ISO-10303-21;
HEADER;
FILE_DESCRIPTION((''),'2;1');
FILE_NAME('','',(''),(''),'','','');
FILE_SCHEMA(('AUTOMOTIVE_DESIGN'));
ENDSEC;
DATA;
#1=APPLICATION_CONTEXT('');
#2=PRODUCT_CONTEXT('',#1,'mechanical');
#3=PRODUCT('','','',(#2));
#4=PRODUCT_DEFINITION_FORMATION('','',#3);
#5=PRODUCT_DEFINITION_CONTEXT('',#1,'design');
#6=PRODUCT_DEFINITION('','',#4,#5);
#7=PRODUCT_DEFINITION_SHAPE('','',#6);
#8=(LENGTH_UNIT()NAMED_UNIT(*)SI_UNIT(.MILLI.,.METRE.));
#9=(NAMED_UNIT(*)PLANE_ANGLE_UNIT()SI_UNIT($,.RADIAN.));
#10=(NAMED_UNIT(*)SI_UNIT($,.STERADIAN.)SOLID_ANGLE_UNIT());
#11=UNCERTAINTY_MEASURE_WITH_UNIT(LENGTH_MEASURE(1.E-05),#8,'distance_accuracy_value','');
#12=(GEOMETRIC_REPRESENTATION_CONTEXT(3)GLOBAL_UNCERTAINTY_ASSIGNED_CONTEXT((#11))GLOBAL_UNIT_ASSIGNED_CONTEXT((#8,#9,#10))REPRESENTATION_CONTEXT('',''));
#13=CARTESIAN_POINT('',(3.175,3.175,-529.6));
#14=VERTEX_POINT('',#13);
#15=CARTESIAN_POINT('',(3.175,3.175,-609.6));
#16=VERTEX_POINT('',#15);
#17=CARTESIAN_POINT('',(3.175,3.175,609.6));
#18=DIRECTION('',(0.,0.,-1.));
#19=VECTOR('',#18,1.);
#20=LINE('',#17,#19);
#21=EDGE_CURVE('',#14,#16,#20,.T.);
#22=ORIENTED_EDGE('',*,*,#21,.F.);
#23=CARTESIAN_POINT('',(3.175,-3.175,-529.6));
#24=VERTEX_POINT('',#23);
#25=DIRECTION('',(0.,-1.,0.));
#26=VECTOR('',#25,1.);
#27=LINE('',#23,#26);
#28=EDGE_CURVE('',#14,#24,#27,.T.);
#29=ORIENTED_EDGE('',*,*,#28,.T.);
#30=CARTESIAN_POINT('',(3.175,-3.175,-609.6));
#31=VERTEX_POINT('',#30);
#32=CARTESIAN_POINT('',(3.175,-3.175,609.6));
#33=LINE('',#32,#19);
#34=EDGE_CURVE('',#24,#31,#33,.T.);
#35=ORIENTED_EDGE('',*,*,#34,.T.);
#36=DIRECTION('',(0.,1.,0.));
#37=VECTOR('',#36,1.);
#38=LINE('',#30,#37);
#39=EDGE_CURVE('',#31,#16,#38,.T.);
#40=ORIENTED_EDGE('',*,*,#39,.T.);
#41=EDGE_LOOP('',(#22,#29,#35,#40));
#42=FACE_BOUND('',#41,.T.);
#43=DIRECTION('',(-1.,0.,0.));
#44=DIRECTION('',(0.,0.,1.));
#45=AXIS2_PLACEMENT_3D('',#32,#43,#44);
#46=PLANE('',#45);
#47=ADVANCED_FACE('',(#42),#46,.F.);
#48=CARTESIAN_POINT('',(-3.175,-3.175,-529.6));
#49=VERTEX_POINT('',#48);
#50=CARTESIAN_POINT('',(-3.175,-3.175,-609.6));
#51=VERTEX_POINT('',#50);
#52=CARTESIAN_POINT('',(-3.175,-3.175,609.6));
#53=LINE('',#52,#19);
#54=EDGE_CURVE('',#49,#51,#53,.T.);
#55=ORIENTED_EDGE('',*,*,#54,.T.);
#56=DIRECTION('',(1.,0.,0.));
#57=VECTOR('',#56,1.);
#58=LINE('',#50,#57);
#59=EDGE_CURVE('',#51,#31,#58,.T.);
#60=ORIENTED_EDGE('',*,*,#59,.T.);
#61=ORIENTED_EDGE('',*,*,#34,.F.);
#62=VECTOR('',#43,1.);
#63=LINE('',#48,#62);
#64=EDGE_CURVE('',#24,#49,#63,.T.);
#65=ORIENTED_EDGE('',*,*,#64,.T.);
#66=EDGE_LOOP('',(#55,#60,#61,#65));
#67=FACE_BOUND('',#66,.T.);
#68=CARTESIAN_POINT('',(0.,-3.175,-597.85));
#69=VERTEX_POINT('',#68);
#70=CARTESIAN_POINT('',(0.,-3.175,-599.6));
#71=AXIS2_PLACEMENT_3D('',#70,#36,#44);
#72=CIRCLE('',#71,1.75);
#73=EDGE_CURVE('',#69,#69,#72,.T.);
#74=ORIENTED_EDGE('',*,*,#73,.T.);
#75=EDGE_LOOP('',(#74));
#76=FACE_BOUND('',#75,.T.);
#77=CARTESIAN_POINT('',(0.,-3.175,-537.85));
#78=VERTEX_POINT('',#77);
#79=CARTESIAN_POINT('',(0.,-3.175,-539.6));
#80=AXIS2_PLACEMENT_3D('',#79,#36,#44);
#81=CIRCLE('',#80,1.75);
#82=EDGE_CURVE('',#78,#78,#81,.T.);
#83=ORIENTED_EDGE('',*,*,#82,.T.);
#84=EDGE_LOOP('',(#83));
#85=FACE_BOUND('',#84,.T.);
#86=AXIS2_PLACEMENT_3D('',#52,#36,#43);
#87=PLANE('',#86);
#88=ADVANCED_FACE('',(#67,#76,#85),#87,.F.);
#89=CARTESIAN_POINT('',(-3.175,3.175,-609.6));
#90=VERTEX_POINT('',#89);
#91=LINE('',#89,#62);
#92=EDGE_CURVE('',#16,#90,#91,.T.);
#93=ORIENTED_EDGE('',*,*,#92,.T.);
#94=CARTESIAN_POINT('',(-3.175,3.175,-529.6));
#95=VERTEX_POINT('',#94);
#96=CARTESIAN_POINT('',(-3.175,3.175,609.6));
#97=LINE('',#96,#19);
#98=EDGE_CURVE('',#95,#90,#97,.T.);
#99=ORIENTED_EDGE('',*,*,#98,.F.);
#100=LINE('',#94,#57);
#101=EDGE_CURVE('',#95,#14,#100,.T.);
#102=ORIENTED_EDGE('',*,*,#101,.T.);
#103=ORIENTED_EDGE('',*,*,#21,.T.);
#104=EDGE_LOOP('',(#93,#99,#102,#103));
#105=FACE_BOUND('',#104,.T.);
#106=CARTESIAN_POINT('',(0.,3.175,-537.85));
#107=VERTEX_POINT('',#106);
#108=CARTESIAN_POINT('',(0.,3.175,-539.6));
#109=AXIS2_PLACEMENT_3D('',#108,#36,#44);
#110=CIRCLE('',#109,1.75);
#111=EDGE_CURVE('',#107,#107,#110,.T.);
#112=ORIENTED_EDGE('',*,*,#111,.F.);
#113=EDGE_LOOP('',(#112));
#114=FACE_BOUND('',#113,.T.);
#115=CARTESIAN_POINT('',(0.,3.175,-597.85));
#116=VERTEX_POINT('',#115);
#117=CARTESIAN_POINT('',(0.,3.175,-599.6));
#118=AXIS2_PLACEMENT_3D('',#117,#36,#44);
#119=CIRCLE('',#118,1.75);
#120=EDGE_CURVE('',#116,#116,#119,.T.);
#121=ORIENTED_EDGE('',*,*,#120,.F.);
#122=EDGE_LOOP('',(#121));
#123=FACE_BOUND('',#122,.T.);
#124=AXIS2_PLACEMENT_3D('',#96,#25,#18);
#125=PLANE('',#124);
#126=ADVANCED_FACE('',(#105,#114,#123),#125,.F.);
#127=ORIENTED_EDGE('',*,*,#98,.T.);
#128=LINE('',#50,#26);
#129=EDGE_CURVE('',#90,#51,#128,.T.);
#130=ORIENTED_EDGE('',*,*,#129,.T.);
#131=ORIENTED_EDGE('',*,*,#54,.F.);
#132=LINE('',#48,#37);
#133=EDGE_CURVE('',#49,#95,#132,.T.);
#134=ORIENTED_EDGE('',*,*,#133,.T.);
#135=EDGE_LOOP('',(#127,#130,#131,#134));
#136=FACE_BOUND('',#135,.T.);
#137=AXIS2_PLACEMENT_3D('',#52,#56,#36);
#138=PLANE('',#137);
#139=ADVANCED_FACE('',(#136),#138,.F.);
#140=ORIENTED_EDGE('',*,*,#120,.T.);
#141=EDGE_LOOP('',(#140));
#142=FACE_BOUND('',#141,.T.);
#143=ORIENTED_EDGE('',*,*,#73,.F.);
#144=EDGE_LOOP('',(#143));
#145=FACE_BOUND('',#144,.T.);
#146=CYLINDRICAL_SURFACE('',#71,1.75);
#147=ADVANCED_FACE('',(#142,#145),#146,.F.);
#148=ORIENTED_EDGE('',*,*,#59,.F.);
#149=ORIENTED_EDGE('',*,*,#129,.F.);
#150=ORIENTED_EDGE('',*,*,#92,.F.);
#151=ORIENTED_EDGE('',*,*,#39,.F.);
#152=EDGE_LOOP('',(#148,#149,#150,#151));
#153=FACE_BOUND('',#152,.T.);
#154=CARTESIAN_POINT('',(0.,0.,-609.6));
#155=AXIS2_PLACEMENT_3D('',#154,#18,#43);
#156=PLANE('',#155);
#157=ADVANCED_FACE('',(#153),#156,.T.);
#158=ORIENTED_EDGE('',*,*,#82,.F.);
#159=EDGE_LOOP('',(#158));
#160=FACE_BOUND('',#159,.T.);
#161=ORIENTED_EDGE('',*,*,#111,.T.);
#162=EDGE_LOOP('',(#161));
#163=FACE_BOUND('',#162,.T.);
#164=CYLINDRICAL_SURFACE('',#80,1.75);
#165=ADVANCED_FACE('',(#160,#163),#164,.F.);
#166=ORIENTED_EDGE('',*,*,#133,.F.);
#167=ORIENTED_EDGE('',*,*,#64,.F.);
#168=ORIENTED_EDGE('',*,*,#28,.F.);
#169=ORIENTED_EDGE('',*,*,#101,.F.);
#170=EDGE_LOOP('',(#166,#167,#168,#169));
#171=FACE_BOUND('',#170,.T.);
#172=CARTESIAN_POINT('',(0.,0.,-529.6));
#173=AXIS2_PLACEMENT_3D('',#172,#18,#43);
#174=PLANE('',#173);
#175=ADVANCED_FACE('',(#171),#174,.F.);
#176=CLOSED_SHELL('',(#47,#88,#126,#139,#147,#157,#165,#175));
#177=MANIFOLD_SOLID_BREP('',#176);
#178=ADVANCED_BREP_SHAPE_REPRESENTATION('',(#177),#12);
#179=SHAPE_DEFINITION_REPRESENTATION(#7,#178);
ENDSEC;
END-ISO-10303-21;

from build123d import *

# Parameters (mm, degrees)
BOSS_EXTRUDE1_DEPTH      = 609.6
BOSS_EXTRUDE1_DEPTH_BACK = 609.6
SKETCH3_W                = 6.35
SKETCH3_H                = 6.35
SKETCH4_W                = 7.35
SKETCH4_H                = 7.35
CUT_EXTRUDE1_DEPTH       = 1140.208848829
SKETCH5_R                = 1.75
CUT_EXTRUDE2_DEPTH       = 610.641339744


with BuildPart() as part:
    # Sketch3 → Boss-Extrude1 (new, two sides: drawn at the far end of the back side and taken through both)
    with BuildSketch(Plane.XY.offset(-BOSS_EXTRUDE1_DEPTH_BACK)):
        Rectangle(SKETCH3_W, SKETCH3_H)
    extrude(amount=BOSS_EXTRUDE1_DEPTH + BOSS_EXTRUDE1_DEPTH_BACK)

    # Sketch4 → Cut-Extrude1 (cut, through all)
    with BuildSketch(Plane(origin=(0, 0, -529.6), x_dir=(-1, 0, 0), z_dir=(0, 0, -1))):
        Rectangle(SKETCH4_W, SKETCH4_H)
    extrude(amount=-CUT_EXTRUDE1_DEPTH, mode=Mode.SUBTRACT)

    # Sketch5 → Cut-Extrude2 (cut, through all)
    with BuildSketch(Plane(origin=(0, 3.175, 0), x_dir=(1, 0, 0), z_dir=(0, 1, 0))):
        with Locations(Location((0, 599.6, 0), (0, 0, 270))):
            Circle(SKETCH5_R)
        with Locations(Location((0, 539.6, 0), (0, 0, 270))):
            Circle(SKETCH5_R)
    extrude(amount=-CUT_EXTRUDE2_DEPTH, mode=Mode.SUBTRACT)


solid = part.part
